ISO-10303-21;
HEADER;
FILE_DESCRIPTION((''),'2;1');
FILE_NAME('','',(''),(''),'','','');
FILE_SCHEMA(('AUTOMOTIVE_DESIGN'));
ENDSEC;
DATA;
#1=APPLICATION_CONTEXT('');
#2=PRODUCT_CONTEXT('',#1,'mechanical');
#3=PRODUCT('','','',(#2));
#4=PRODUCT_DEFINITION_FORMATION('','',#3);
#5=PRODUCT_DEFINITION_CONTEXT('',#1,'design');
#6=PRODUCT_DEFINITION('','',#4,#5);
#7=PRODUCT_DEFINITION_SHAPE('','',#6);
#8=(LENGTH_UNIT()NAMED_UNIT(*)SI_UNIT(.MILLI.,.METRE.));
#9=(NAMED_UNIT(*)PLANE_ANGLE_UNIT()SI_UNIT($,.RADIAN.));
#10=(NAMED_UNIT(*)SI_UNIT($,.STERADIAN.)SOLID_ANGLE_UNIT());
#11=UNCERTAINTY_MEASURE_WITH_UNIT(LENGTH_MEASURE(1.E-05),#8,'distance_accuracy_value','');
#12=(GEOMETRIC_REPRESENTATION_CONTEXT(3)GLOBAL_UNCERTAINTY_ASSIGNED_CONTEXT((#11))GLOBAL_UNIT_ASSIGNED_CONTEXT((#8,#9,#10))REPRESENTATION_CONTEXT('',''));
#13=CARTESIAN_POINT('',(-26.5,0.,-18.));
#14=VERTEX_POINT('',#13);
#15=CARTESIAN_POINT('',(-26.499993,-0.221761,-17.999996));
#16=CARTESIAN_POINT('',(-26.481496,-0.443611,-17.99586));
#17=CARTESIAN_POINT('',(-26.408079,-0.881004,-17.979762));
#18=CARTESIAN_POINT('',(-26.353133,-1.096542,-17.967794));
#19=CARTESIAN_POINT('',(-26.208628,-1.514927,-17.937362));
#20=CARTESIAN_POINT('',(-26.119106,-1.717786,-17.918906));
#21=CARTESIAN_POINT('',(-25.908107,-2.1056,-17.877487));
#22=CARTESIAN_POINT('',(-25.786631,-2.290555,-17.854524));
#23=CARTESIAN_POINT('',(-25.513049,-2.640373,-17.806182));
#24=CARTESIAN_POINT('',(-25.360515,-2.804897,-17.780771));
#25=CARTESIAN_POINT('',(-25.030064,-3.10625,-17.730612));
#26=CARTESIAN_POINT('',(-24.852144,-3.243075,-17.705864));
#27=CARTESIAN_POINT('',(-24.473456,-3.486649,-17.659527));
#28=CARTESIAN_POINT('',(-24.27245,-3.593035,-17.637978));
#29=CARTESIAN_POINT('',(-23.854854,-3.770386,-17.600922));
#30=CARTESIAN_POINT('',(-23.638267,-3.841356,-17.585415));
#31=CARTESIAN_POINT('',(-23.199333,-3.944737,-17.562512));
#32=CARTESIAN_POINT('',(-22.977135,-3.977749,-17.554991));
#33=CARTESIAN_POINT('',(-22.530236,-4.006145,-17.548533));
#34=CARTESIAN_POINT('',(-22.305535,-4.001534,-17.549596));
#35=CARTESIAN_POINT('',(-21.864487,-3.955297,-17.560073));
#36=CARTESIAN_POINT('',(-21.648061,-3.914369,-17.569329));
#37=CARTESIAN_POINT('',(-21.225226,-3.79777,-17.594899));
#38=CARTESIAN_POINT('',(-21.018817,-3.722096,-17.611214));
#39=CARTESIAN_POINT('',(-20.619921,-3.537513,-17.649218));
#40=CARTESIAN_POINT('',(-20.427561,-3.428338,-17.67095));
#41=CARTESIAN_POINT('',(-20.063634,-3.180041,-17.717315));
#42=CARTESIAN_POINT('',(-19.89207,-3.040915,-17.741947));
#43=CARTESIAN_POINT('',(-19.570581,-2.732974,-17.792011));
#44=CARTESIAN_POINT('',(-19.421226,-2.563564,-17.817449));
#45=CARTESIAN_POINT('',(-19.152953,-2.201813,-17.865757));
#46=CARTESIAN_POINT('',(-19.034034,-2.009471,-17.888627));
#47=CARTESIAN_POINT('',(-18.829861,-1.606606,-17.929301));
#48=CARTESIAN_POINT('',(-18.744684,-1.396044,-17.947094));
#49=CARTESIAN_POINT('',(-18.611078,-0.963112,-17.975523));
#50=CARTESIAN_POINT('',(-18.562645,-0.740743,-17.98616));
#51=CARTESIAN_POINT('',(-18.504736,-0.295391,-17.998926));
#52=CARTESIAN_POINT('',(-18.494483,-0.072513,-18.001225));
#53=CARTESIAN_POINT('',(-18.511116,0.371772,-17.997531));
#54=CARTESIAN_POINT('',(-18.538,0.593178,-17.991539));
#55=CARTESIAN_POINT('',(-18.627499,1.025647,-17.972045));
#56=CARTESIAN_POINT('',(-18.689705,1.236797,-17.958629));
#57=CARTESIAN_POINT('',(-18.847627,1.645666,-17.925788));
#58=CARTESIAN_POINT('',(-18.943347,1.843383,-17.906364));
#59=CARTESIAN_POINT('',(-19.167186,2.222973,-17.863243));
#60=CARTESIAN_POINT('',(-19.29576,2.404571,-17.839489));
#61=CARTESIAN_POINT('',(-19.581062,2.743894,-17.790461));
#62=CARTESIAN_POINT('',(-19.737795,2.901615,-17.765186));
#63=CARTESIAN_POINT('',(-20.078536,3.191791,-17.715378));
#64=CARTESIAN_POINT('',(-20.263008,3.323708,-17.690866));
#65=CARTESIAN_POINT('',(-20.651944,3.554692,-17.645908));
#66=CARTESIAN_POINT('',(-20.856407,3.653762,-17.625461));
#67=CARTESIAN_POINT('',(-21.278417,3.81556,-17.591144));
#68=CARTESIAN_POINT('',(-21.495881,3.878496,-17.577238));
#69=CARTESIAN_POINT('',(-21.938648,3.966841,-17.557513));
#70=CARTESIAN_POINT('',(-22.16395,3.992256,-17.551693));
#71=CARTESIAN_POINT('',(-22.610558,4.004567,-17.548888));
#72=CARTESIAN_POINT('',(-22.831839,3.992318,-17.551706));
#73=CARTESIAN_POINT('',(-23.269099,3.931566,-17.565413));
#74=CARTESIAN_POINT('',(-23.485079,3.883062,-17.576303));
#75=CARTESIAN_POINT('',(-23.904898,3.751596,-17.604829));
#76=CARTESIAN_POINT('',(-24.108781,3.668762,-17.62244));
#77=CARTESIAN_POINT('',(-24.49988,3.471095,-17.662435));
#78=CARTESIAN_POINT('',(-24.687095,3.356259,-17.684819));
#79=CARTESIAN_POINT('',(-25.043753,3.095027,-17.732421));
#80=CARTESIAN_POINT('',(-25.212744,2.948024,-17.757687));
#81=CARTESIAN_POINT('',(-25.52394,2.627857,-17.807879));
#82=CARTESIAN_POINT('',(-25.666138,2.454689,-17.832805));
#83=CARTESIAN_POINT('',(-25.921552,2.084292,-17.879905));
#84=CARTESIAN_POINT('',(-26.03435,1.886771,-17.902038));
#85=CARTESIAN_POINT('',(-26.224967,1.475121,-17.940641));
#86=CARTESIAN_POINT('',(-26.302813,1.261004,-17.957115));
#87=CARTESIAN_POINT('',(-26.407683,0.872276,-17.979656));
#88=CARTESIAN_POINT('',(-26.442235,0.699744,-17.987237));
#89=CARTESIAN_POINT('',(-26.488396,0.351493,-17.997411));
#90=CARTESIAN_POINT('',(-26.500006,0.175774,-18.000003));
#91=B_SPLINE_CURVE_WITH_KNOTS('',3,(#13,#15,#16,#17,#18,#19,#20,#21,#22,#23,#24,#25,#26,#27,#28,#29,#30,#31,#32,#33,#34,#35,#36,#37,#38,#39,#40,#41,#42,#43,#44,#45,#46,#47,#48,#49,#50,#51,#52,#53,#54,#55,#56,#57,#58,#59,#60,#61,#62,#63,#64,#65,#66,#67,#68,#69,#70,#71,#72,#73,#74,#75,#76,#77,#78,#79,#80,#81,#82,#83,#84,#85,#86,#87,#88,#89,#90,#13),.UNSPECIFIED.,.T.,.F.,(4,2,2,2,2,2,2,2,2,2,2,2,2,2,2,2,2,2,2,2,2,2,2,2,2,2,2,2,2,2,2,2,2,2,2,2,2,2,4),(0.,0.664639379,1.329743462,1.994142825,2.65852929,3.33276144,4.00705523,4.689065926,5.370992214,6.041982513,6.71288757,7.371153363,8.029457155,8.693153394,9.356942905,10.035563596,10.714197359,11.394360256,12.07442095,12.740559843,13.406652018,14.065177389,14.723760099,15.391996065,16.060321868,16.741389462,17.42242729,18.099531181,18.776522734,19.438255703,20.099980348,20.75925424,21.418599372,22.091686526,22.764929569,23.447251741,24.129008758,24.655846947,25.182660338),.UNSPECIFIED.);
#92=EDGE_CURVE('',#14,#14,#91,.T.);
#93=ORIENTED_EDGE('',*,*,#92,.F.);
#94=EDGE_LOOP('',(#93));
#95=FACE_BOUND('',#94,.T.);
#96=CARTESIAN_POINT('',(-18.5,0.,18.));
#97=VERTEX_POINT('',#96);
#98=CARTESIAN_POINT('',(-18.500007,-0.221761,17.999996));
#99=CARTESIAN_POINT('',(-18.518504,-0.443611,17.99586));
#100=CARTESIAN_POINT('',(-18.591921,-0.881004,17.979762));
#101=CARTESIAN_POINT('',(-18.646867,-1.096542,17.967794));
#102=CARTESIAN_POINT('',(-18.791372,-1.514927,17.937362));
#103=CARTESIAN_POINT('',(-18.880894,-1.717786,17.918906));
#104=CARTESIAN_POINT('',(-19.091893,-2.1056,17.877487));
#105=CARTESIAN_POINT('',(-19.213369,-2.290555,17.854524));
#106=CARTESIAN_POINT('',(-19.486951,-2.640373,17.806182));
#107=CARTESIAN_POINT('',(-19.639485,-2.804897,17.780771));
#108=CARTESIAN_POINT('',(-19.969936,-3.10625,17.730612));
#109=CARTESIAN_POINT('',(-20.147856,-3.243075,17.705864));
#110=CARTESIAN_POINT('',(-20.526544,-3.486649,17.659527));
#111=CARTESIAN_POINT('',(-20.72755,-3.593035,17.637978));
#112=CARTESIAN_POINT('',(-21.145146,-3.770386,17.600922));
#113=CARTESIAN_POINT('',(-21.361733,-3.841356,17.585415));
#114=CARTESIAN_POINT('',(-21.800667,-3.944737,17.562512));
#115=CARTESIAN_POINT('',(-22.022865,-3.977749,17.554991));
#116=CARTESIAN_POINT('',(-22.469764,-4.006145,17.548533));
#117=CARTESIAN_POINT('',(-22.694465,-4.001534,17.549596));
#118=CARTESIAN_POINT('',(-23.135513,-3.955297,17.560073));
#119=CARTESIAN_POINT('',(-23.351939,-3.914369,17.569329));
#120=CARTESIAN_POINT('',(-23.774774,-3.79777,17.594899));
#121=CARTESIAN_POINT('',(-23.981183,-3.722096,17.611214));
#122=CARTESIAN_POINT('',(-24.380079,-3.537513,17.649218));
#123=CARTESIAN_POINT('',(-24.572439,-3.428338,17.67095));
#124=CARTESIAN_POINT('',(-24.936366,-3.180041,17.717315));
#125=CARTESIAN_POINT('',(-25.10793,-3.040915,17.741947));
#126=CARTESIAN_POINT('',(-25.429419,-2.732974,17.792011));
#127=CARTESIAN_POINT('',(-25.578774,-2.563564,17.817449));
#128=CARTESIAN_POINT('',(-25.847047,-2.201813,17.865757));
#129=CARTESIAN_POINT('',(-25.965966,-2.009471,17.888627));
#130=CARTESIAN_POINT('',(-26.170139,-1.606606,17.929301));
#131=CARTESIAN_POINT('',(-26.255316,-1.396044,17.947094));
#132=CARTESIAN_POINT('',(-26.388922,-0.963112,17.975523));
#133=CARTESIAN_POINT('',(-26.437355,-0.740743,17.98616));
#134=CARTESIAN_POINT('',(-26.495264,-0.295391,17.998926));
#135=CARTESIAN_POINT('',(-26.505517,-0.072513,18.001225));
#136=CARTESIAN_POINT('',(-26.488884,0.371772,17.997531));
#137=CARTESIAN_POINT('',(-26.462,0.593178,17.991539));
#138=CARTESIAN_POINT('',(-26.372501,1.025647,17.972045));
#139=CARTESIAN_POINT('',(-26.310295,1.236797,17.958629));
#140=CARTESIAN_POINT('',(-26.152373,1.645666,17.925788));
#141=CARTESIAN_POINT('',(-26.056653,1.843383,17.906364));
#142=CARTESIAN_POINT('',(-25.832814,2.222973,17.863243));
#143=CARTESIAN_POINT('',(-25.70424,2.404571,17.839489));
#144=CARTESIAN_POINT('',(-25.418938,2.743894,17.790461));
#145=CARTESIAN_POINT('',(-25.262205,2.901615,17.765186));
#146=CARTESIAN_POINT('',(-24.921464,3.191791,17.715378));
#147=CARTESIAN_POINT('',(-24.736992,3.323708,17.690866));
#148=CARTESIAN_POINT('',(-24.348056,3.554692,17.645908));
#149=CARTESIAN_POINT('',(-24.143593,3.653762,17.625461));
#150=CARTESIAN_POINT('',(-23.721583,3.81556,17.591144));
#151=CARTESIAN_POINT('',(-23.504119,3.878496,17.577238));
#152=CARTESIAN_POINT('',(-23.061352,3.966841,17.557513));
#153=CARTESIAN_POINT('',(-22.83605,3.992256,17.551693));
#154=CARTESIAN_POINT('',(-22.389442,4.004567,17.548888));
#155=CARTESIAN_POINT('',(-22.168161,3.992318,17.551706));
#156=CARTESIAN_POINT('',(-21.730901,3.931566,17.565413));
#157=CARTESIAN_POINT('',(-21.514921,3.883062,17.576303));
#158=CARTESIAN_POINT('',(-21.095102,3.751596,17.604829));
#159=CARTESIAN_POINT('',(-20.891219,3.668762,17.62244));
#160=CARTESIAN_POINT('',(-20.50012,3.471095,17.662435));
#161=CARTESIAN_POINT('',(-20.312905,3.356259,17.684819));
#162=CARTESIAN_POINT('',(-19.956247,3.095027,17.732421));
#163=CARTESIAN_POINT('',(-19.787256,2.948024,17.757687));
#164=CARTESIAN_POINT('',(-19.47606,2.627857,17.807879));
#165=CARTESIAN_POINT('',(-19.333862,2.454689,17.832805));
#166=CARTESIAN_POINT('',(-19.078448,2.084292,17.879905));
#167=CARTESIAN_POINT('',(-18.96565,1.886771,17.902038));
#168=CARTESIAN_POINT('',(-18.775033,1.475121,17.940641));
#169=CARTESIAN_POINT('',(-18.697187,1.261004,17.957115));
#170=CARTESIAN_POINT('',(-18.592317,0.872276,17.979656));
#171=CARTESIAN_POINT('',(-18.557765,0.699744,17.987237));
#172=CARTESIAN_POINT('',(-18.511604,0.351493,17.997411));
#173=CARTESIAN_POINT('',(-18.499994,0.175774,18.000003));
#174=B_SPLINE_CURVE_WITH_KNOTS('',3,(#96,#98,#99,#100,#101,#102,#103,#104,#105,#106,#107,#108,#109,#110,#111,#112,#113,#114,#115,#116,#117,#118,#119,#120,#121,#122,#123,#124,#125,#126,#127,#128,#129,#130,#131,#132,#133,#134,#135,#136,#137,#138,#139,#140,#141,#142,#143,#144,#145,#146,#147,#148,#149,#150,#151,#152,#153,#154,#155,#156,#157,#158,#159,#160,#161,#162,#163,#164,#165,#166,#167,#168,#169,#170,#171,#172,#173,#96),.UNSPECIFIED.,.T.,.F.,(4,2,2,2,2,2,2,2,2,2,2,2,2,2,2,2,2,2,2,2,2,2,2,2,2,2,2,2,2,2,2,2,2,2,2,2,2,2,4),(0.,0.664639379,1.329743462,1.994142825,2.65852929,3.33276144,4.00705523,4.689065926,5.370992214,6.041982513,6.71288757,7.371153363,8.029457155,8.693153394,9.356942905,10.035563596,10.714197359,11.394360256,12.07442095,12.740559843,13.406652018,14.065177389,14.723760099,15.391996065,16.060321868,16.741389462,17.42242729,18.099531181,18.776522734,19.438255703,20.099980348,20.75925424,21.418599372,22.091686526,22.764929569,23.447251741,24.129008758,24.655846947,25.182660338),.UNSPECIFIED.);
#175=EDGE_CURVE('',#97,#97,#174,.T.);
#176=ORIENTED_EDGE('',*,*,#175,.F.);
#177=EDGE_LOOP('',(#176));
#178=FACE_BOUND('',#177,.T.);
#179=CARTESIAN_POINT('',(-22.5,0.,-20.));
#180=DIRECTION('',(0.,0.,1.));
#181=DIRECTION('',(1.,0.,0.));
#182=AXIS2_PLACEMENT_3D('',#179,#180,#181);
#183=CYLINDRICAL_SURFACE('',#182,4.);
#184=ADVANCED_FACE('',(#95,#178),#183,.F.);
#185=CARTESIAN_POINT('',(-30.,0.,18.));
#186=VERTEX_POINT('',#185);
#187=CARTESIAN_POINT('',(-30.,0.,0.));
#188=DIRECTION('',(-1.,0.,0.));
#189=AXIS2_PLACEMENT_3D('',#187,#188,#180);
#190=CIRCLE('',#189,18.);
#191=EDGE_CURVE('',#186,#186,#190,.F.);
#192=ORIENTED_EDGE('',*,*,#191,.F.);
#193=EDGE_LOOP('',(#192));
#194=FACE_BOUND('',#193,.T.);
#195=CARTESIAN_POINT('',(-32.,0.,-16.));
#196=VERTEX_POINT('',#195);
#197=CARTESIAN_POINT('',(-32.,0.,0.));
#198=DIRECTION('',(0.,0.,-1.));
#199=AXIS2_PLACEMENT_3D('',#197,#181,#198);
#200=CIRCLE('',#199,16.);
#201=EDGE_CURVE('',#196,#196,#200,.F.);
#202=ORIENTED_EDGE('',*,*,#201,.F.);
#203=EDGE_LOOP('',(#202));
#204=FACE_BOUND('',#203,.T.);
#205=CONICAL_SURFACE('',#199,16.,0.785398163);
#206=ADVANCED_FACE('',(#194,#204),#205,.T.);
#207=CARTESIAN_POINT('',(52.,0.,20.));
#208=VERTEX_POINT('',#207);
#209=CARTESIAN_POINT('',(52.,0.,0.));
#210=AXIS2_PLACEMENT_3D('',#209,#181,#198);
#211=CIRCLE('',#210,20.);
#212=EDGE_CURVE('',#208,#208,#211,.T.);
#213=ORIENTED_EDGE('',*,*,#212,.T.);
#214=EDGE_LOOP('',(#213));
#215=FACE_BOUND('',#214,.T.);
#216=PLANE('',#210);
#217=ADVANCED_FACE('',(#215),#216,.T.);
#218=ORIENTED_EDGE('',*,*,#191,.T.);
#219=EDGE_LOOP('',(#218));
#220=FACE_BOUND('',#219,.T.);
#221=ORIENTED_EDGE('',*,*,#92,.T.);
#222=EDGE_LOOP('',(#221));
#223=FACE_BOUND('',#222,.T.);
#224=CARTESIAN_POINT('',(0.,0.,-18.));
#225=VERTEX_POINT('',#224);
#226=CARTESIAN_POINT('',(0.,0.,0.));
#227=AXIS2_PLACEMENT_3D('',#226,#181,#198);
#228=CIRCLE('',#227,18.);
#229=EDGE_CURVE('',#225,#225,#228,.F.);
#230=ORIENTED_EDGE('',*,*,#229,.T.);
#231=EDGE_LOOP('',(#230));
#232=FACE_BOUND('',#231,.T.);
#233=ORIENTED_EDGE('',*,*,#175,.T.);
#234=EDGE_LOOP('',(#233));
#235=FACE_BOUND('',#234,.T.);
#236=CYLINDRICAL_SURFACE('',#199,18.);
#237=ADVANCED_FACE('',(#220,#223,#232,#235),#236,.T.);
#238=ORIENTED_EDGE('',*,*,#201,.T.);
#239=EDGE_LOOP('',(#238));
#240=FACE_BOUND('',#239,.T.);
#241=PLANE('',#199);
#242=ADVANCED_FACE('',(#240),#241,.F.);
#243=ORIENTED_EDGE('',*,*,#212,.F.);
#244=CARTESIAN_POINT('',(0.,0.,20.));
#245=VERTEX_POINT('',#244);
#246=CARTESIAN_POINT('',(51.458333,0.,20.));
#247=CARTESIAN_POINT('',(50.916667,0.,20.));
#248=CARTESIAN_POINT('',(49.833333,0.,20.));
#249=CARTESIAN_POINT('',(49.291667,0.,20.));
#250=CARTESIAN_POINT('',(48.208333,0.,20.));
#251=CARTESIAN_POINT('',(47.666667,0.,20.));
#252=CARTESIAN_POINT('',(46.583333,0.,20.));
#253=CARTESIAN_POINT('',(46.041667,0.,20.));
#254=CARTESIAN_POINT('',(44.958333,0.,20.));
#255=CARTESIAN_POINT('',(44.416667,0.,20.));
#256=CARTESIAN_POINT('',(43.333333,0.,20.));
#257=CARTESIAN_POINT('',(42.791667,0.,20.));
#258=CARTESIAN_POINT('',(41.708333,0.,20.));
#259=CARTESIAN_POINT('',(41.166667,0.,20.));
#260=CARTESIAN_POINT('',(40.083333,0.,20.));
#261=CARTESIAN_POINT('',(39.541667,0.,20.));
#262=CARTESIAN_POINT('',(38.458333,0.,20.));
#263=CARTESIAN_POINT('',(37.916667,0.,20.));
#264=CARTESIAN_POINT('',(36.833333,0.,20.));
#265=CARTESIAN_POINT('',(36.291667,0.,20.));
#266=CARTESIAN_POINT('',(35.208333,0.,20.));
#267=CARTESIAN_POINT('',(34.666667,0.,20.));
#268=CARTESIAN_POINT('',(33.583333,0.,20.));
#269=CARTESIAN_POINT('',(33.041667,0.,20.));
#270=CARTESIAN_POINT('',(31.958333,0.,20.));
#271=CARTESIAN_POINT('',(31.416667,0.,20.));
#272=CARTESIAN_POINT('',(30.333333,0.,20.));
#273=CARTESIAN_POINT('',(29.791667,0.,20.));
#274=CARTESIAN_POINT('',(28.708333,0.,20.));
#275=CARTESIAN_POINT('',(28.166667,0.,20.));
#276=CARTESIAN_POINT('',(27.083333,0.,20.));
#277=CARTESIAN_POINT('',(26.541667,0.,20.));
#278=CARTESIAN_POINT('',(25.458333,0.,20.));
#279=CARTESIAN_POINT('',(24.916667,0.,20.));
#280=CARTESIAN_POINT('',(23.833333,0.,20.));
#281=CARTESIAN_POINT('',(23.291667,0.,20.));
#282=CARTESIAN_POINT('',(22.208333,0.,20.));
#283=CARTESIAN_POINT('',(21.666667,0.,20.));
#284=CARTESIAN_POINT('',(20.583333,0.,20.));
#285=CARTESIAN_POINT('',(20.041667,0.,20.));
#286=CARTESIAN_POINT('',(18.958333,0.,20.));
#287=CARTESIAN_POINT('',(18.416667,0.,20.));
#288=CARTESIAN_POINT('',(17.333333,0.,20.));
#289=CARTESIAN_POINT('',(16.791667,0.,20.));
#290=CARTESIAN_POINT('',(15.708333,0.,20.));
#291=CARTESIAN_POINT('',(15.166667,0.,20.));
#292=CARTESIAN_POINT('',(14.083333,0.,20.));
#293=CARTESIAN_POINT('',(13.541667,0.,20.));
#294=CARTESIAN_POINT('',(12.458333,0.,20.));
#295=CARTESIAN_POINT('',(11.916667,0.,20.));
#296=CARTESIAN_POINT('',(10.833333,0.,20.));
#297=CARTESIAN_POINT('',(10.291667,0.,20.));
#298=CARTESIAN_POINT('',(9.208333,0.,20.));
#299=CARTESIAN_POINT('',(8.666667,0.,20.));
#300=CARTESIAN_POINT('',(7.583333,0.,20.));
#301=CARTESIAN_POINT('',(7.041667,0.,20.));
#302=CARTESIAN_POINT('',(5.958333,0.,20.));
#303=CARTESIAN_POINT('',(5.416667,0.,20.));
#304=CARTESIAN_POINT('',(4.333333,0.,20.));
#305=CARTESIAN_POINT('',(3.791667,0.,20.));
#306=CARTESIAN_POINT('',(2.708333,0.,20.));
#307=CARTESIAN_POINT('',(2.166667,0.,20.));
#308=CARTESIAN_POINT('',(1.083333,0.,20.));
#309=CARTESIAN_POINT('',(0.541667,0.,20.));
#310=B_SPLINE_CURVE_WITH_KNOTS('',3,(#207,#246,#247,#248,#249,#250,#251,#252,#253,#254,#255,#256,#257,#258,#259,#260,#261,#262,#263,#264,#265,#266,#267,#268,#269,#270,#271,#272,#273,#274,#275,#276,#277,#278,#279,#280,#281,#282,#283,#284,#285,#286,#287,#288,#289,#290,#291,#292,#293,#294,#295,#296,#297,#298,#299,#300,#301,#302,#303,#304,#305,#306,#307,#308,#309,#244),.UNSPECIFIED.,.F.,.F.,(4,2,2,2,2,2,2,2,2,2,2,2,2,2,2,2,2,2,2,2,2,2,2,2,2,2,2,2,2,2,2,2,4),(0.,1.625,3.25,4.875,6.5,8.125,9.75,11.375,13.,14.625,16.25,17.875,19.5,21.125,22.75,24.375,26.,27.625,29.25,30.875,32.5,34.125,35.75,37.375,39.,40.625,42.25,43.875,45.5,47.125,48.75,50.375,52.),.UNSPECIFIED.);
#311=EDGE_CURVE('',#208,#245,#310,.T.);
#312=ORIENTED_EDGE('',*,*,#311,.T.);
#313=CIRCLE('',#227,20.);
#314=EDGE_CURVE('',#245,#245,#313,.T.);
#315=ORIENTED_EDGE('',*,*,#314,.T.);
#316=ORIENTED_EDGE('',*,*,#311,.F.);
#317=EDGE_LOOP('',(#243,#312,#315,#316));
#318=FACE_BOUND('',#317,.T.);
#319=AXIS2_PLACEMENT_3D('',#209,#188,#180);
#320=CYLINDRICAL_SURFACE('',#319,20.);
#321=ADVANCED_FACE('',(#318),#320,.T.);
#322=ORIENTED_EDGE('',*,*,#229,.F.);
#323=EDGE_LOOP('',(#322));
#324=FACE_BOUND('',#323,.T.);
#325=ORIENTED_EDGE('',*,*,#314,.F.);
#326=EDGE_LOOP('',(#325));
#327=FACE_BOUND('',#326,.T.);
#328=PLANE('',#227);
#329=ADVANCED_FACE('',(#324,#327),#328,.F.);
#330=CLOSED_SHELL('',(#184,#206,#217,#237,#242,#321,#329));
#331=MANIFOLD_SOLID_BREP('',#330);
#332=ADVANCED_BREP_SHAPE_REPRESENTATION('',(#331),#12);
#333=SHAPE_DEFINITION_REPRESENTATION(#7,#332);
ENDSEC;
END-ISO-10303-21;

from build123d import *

# Parameters (mm, degrees)
SCHIZZO1_R             = 20
ESTRUSIONE1_DEPTH      = 52
SCHIZZO2_R             = 18
ESTRUSIONE2_DEPTH      = 32
ESTRUSIONE5_DEPTH      = 60.194594348
ESTRUSIONE5_DEPTH_BACK = 60.194594348
SCHIZZO5_R             = 4
SMUSSO2_SIZE           = 2
SCHIZZO3_R             = 17
ESTRUSIONE3_DEPTH      = 2
SCHIZZO4_R             = 18
ESTRUSIONE4_DEPTH      = 4
SMUSSO1_SIZE           = 2
SCHIZZO6_R             = 24.071831276
ESTRUSIONE6_DEPTH      = 10


with BuildPart() as part:
    # Schizzo1 → Estrusione1 (new body)
    with BuildSketch(Plane(origin=(0, 0, 0), x_dir=(0, 0, -1), z_dir=(1, 0, 0))):
        with Locations(Location((0, 0, 0), (0, 0, 180))):
            Circle(SCHIZZO1_R)
    extrude(amount=ESTRUSIONE1_DEPTH)

    # Schizzo2 → Estrusione2 (add)
    with BuildSketch(Plane.ZY):
        with Locations(Location((0, 0, 0), (0, 0, 180))):
            Circle(SCHIZZO2_R)
    extrude(amount=ESTRUSIONE2_DEPTH)

    # Schizzo5 → Estrusione5 (cut, two sides: drawn at the far end of the back side and taken through both)
    with BuildSketch(Plane.XY.offset(-ESTRUSIONE5_DEPTH_BACK)):
        with Locations((-22.5, 0)):
            Circle(SCHIZZO5_R)
    extrude(amount=ESTRUSIONE5_DEPTH + ESTRUSIONE5_DEPTH_BACK, mode=Mode.SUBTRACT)

    # Smusso2
    smusso2_edges = [part.edges().sort_by_distance(p)[0] for p in [
        (-32, 0, 18),
    ]]
    chamfer(smusso2_edges, length=SMUSSO2_SIZE)

    # Schizzo3 → Estrusione3 (add)
    with BuildSketch(Plane.ZY.offset(32)):
        Circle(SCHIZZO3_R)
    extrude(amount=ESTRUSIONE3_DEPTH)

    # Schizzo4 → Estrusione4 (add)
    with BuildSketch(Plane.ZY.offset(34)):
        with Locations(Location((0, 0, 0), (0, 0, 180))):
            Circle(SCHIZZO4_R)
    extrude(amount=ESTRUSIONE4_DEPTH)

    # Smusso1
    smusso1_edges = [part.edges().sort_by_distance(p)[0] for p in [
        (-38, 0, 18),
    ]]
    chamfer(smusso1_edges, length=SMUSSO1_SIZE)

    # Schizzo6 → Estrusione6 (cut)
    with BuildSketch(Plane(origin=(-32, 0, 0), x_dir=(0, 0, -1), z_dir=(1, 0, 0))):
        Circle(SCHIZZO6_R)
    extrude(amount=-ESTRUSIONE6_DEPTH, mode=Mode.SUBTRACT)


solid = part.part
